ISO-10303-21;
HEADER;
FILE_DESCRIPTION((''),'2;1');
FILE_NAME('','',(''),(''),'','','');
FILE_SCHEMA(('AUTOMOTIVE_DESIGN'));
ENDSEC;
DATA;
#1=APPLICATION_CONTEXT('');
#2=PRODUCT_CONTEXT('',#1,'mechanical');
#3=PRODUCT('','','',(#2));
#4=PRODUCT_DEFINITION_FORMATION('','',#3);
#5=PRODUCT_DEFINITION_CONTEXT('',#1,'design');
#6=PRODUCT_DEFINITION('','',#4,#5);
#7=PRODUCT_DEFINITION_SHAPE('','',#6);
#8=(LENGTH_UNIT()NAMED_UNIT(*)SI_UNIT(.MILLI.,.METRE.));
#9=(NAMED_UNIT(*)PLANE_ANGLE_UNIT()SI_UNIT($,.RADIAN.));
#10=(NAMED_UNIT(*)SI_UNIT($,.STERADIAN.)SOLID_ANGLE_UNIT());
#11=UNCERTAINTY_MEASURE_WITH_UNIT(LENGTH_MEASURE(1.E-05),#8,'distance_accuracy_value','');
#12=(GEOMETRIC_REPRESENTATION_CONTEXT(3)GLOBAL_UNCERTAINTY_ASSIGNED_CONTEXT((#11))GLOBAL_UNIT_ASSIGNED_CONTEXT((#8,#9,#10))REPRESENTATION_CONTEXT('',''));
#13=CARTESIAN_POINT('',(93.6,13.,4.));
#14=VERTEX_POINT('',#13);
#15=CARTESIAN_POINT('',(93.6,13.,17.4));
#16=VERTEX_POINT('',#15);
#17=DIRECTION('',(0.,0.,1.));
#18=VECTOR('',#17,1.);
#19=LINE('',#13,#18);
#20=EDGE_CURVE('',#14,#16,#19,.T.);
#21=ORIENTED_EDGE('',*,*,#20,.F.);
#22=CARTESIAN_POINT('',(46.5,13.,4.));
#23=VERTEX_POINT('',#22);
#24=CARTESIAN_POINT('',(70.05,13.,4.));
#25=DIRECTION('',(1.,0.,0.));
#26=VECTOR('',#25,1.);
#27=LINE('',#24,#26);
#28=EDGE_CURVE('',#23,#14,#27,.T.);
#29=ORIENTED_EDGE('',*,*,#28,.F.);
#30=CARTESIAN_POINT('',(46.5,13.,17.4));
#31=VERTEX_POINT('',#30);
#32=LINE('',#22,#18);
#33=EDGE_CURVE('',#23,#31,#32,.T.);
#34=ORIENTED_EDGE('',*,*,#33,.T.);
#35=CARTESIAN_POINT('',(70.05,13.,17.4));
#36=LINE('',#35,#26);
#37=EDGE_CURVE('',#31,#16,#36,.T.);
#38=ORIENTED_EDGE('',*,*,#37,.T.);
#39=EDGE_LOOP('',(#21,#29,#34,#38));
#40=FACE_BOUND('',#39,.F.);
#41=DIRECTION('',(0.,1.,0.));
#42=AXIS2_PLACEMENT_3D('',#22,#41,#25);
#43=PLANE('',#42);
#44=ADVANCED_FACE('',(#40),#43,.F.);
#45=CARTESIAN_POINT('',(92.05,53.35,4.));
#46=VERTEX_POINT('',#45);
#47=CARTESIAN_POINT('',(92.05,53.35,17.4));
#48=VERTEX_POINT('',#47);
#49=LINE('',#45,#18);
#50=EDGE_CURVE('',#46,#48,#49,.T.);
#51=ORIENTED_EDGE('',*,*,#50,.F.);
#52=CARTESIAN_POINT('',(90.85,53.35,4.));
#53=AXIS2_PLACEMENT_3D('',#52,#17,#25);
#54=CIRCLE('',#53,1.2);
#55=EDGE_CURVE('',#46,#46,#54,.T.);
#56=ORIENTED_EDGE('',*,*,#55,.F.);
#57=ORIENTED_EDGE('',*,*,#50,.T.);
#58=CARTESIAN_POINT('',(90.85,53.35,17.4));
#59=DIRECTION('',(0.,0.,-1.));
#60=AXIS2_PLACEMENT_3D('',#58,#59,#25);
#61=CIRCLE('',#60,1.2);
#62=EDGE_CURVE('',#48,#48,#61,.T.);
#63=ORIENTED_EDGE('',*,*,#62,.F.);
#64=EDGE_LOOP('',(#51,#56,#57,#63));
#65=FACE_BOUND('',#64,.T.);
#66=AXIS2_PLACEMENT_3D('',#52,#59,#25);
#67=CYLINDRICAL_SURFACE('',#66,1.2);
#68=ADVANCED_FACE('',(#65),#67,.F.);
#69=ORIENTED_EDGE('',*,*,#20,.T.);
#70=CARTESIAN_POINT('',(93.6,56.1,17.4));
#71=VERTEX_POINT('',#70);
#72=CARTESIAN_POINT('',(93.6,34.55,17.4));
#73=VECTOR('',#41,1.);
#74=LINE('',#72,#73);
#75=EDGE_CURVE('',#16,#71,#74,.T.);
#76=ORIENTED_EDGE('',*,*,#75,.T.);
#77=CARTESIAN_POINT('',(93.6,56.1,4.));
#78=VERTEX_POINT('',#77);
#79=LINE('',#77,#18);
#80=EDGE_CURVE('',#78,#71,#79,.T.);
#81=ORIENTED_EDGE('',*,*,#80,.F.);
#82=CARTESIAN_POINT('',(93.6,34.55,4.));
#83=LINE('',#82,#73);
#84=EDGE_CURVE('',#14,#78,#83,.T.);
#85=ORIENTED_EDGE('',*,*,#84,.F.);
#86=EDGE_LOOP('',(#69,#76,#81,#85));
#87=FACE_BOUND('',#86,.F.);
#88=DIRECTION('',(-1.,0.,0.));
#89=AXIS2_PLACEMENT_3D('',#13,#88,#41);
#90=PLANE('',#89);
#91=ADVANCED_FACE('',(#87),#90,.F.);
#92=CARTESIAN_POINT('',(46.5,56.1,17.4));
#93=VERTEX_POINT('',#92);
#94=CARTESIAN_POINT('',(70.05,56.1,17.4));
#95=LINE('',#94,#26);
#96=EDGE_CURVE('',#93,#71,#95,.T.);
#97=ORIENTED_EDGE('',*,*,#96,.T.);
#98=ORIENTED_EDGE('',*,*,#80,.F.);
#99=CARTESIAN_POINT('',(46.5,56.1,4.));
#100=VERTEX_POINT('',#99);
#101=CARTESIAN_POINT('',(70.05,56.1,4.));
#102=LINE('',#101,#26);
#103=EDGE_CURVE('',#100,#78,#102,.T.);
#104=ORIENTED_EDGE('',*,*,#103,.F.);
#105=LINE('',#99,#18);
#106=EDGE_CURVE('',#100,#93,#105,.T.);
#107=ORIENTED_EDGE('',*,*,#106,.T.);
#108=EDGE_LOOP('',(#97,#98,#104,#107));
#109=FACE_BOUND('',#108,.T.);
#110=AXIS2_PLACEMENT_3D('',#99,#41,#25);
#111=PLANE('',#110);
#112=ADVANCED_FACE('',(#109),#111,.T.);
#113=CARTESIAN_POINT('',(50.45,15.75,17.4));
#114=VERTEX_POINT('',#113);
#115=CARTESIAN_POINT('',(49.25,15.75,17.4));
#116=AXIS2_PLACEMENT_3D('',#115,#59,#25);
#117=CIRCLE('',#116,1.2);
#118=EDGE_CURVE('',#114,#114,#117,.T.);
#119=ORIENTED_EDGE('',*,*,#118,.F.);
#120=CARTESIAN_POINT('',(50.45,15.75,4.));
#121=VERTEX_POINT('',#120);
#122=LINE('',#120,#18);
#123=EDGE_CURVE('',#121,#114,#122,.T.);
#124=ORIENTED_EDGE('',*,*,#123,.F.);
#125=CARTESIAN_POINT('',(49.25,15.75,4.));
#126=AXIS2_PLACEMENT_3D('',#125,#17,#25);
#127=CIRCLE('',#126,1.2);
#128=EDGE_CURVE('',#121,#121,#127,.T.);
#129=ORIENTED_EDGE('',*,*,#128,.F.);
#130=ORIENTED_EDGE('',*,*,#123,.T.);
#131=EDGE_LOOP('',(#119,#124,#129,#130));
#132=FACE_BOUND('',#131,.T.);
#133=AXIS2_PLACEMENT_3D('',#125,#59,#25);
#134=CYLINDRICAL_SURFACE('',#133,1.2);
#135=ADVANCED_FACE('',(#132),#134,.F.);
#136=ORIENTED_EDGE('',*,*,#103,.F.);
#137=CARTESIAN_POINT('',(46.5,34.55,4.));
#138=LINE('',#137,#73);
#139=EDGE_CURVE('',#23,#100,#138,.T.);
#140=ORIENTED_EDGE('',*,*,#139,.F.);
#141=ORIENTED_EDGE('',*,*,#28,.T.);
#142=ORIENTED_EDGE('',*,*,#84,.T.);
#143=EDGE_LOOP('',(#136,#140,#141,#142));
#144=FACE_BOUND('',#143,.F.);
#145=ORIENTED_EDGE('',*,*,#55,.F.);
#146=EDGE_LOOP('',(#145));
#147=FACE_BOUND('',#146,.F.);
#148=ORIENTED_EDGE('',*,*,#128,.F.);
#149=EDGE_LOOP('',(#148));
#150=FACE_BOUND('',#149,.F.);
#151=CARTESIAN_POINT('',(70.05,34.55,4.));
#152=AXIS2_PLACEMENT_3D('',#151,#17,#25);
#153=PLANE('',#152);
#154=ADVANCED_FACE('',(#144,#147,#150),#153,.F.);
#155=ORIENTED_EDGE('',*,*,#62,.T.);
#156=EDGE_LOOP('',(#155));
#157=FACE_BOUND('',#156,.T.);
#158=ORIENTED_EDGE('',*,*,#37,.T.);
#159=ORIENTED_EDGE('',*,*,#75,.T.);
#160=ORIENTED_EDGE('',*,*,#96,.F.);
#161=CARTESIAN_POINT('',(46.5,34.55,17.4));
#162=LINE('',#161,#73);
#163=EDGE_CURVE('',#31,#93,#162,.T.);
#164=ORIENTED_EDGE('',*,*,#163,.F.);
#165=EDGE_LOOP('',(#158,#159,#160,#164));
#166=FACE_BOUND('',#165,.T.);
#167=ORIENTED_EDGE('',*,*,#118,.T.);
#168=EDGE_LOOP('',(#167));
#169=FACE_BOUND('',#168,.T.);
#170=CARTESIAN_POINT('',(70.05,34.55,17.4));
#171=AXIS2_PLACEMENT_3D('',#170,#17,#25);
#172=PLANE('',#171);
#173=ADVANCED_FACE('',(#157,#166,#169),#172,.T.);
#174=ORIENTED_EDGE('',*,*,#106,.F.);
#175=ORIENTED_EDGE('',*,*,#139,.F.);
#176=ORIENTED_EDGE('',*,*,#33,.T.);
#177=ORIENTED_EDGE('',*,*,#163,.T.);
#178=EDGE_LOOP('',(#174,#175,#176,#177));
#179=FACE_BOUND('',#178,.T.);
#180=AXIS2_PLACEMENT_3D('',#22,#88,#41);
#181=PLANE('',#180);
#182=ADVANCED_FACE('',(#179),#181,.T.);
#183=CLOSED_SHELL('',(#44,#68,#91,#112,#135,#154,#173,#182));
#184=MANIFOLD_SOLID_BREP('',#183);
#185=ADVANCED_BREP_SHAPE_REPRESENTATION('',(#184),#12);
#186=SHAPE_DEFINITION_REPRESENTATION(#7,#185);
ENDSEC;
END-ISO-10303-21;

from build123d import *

# Parameters (mm, degrees)
CYLINDER046_R     = 1.2
CYLINDER046_DEPTH = 20
CYLINDER045_R     = 1.2
CYLINDER045_DEPTH = 20
BOX043_W          = 47.1
BOX043_H          = 43.1
BOX043_DEPTH      = 13.4


with BuildPart() as cylinder046:
    # Cylinder046 → Cylinder046 (new body)
    with BuildSketch(Plane(origin=(44.35, 40.35, 0), x_dir=(1, 0, 0), z_dir=(0, 0, 1))):
        Circle(CYLINDER046_R)
    extrude(amount=CYLINDER046_DEPTH)


with BuildPart() as fusion030:
    # Cylinder045 → Cylinder045 (new body)
    with BuildSketch(Plane(origin=(2.75, 2.75, 0), x_dir=(1, 0, 0), z_dir=(0, 0, 1))):
        Circle(CYLINDER045_R)
    extrude(amount=CYLINDER045_DEPTH)

    # Fusion030: union Cylinder046
    add(cylinder046.part)


with BuildPart() as ips7100s:
    # Box043 → Box043 (new body)
    with BuildSketch(Plane.XY):
        with Locations((23.55, 21.55)):
            Rectangle(BOX043_W, BOX043_H)
    extrude(amount=BOX043_DEPTH)

    # Cut012: cut Fusion030
    add(fusion030.part, mode=Mode.SUBTRACT)


with BuildPart() as ips7100s_1:
    # Cut012 placement: moved
    add(ips7100s.part.moved(Location((46.5, 13, 4))))


solid = ips7100s_1.part
